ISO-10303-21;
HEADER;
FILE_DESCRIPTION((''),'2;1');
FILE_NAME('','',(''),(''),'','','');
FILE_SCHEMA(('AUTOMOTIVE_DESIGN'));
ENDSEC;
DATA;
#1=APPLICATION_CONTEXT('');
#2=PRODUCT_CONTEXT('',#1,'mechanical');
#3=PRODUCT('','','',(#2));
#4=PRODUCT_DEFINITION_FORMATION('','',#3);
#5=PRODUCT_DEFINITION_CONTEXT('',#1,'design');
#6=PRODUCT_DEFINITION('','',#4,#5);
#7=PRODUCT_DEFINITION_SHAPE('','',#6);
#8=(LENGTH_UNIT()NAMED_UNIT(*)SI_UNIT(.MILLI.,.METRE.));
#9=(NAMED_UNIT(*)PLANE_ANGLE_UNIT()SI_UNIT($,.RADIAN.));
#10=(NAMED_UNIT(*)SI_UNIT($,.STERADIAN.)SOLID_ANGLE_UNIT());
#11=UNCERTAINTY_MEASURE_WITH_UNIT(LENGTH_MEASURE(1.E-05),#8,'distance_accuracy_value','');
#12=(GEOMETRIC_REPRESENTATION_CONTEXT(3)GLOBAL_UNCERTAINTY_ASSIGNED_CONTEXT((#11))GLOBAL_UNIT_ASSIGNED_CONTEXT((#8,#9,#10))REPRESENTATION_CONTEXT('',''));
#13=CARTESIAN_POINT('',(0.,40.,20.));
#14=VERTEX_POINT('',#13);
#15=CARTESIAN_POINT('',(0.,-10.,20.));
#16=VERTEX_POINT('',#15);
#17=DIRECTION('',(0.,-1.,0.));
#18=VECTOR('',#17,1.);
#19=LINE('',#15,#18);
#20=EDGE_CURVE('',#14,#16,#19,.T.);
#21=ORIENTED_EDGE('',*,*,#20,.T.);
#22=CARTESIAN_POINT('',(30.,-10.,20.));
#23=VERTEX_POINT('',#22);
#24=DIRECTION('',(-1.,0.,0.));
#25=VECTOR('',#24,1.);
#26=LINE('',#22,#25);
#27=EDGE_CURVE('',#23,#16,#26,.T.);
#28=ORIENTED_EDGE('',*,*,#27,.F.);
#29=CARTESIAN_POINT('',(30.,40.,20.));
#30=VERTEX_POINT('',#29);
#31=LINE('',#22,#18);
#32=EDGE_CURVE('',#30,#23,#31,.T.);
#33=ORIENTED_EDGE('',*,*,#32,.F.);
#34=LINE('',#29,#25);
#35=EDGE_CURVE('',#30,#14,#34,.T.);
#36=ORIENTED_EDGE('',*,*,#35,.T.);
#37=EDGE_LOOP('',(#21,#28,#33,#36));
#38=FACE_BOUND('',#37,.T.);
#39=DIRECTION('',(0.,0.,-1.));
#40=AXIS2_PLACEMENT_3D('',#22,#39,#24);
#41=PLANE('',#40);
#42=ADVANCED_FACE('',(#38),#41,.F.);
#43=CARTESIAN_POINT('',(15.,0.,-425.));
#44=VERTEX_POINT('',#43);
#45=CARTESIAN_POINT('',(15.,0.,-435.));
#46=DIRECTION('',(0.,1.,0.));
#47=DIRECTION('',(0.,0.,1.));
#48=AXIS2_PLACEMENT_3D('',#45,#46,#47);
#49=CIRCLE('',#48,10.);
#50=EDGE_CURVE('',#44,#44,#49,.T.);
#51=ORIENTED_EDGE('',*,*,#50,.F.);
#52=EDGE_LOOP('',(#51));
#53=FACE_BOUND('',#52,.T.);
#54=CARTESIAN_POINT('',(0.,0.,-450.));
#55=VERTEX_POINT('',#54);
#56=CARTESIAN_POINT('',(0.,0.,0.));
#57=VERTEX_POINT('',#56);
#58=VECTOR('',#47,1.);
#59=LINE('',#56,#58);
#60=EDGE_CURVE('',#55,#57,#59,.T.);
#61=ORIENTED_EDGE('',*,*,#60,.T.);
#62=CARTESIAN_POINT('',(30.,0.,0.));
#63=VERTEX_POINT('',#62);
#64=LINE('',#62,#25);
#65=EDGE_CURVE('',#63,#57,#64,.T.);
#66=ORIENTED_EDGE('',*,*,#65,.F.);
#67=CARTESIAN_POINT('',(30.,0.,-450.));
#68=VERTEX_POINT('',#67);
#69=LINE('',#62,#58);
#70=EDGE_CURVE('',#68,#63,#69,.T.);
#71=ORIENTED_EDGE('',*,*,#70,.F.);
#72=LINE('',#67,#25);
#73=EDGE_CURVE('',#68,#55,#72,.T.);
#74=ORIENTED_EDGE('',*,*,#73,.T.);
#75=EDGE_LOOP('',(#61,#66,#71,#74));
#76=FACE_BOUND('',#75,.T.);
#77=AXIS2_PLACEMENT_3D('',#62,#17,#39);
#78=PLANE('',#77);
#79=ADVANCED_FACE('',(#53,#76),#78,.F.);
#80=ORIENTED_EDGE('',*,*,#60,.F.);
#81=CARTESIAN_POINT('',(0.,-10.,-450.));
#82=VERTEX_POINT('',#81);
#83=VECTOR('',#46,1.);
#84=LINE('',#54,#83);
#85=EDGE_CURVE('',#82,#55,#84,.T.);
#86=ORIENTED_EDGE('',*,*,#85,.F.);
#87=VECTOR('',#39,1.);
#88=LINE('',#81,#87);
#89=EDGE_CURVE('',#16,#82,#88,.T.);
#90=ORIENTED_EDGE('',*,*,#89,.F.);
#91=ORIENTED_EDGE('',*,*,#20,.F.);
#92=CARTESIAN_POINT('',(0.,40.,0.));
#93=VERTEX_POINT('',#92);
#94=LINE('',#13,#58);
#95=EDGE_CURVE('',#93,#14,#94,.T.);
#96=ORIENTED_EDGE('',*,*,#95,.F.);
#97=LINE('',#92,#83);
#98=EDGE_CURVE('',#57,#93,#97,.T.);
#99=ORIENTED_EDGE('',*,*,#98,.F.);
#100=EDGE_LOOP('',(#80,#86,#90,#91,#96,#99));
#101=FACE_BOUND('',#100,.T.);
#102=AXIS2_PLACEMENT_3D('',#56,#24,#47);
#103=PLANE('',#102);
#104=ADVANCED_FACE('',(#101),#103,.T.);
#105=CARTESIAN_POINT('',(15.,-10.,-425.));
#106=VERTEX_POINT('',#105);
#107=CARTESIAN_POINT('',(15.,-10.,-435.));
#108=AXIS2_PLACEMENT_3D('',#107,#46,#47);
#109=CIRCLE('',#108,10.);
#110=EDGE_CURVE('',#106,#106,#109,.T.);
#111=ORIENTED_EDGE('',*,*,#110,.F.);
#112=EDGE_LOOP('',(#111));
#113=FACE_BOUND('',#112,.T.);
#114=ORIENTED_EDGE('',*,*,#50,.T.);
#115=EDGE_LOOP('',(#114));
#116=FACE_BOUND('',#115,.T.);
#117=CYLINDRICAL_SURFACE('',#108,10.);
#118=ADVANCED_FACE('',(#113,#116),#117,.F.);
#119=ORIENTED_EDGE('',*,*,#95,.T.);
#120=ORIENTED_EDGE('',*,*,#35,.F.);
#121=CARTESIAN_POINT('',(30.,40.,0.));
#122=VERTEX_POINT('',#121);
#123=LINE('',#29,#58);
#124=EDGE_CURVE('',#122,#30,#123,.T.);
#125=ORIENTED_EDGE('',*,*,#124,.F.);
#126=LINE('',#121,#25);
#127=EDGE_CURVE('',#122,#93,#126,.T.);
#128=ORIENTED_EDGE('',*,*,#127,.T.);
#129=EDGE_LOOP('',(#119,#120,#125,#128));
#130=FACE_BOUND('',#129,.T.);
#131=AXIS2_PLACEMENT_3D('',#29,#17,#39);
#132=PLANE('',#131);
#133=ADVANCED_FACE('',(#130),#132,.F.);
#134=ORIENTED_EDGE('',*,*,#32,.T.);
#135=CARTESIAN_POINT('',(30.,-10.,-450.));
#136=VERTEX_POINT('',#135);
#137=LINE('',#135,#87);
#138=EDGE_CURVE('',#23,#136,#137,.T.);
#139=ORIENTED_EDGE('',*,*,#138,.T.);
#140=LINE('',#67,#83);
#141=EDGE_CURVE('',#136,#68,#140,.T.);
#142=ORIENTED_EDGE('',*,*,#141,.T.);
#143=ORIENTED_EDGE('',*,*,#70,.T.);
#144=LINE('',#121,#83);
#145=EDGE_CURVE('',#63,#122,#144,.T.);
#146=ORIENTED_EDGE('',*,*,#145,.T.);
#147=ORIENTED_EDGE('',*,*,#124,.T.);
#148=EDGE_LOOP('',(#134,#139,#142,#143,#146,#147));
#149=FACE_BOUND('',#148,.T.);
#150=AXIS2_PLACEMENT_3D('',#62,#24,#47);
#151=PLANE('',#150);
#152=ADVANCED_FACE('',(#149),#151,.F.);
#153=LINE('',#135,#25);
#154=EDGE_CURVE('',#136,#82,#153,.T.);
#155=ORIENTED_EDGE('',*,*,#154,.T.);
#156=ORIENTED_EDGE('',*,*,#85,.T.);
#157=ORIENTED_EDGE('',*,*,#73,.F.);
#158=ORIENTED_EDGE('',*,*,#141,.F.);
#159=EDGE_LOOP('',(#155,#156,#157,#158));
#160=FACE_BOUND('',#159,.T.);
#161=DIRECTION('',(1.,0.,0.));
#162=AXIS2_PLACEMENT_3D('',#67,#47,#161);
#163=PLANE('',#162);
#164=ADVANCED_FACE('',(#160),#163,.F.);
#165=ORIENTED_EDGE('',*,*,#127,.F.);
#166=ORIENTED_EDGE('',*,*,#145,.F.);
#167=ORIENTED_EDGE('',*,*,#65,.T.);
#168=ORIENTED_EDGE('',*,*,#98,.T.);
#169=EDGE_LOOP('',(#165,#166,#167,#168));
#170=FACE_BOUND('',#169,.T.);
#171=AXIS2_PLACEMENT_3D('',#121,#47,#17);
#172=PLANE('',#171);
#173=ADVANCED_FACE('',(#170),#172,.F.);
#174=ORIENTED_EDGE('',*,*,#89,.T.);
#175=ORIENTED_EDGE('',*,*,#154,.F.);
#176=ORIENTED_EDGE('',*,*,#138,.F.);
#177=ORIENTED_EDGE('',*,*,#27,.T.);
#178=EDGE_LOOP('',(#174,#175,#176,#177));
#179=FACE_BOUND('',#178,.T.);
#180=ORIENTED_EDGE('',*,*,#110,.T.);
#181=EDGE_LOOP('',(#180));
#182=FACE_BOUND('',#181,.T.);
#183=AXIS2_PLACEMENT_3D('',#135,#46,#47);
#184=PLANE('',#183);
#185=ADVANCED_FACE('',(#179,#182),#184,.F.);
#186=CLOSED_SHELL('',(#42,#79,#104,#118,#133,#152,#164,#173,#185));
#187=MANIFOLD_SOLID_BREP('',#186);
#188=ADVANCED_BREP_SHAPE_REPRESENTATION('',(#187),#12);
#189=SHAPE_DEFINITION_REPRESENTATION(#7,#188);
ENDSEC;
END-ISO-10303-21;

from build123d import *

# Parameters (mm, degrees)
BOSS_EXTRUDE1_DEPTH = 30
SKETCH2_R           = 10
CUT_EXTRUDE1_DEPTH  = 10


with BuildPart() as part:
    # Sketch1 → Boss-Extrude1 (new body)
    with BuildSketch(Plane(origin=(0, 0, 0), x_dir=(0, 0, -1), z_dir=(1, 0, 0))):
        Polygon((0, 40), (0, 0), (450, 0), (450, -10), (-20, -10), (-20, 40), align=None)
    extrude(amount=BOSS_EXTRUDE1_DEPTH)

    # Sketch2 → Cut-Extrude1 (cut)
    with BuildSketch(Plane(origin=(0, 0, 0), x_dir=(1, 0, 0), z_dir=(0, 1, 0))):
        with Locations(Location((15, 435, 0), (0, 0, 270))):
            Circle(SKETCH2_R)
    extrude(amount=-CUT_EXTRUDE1_DEPTH, mode=Mode.SUBTRACT)


solid = part.part
